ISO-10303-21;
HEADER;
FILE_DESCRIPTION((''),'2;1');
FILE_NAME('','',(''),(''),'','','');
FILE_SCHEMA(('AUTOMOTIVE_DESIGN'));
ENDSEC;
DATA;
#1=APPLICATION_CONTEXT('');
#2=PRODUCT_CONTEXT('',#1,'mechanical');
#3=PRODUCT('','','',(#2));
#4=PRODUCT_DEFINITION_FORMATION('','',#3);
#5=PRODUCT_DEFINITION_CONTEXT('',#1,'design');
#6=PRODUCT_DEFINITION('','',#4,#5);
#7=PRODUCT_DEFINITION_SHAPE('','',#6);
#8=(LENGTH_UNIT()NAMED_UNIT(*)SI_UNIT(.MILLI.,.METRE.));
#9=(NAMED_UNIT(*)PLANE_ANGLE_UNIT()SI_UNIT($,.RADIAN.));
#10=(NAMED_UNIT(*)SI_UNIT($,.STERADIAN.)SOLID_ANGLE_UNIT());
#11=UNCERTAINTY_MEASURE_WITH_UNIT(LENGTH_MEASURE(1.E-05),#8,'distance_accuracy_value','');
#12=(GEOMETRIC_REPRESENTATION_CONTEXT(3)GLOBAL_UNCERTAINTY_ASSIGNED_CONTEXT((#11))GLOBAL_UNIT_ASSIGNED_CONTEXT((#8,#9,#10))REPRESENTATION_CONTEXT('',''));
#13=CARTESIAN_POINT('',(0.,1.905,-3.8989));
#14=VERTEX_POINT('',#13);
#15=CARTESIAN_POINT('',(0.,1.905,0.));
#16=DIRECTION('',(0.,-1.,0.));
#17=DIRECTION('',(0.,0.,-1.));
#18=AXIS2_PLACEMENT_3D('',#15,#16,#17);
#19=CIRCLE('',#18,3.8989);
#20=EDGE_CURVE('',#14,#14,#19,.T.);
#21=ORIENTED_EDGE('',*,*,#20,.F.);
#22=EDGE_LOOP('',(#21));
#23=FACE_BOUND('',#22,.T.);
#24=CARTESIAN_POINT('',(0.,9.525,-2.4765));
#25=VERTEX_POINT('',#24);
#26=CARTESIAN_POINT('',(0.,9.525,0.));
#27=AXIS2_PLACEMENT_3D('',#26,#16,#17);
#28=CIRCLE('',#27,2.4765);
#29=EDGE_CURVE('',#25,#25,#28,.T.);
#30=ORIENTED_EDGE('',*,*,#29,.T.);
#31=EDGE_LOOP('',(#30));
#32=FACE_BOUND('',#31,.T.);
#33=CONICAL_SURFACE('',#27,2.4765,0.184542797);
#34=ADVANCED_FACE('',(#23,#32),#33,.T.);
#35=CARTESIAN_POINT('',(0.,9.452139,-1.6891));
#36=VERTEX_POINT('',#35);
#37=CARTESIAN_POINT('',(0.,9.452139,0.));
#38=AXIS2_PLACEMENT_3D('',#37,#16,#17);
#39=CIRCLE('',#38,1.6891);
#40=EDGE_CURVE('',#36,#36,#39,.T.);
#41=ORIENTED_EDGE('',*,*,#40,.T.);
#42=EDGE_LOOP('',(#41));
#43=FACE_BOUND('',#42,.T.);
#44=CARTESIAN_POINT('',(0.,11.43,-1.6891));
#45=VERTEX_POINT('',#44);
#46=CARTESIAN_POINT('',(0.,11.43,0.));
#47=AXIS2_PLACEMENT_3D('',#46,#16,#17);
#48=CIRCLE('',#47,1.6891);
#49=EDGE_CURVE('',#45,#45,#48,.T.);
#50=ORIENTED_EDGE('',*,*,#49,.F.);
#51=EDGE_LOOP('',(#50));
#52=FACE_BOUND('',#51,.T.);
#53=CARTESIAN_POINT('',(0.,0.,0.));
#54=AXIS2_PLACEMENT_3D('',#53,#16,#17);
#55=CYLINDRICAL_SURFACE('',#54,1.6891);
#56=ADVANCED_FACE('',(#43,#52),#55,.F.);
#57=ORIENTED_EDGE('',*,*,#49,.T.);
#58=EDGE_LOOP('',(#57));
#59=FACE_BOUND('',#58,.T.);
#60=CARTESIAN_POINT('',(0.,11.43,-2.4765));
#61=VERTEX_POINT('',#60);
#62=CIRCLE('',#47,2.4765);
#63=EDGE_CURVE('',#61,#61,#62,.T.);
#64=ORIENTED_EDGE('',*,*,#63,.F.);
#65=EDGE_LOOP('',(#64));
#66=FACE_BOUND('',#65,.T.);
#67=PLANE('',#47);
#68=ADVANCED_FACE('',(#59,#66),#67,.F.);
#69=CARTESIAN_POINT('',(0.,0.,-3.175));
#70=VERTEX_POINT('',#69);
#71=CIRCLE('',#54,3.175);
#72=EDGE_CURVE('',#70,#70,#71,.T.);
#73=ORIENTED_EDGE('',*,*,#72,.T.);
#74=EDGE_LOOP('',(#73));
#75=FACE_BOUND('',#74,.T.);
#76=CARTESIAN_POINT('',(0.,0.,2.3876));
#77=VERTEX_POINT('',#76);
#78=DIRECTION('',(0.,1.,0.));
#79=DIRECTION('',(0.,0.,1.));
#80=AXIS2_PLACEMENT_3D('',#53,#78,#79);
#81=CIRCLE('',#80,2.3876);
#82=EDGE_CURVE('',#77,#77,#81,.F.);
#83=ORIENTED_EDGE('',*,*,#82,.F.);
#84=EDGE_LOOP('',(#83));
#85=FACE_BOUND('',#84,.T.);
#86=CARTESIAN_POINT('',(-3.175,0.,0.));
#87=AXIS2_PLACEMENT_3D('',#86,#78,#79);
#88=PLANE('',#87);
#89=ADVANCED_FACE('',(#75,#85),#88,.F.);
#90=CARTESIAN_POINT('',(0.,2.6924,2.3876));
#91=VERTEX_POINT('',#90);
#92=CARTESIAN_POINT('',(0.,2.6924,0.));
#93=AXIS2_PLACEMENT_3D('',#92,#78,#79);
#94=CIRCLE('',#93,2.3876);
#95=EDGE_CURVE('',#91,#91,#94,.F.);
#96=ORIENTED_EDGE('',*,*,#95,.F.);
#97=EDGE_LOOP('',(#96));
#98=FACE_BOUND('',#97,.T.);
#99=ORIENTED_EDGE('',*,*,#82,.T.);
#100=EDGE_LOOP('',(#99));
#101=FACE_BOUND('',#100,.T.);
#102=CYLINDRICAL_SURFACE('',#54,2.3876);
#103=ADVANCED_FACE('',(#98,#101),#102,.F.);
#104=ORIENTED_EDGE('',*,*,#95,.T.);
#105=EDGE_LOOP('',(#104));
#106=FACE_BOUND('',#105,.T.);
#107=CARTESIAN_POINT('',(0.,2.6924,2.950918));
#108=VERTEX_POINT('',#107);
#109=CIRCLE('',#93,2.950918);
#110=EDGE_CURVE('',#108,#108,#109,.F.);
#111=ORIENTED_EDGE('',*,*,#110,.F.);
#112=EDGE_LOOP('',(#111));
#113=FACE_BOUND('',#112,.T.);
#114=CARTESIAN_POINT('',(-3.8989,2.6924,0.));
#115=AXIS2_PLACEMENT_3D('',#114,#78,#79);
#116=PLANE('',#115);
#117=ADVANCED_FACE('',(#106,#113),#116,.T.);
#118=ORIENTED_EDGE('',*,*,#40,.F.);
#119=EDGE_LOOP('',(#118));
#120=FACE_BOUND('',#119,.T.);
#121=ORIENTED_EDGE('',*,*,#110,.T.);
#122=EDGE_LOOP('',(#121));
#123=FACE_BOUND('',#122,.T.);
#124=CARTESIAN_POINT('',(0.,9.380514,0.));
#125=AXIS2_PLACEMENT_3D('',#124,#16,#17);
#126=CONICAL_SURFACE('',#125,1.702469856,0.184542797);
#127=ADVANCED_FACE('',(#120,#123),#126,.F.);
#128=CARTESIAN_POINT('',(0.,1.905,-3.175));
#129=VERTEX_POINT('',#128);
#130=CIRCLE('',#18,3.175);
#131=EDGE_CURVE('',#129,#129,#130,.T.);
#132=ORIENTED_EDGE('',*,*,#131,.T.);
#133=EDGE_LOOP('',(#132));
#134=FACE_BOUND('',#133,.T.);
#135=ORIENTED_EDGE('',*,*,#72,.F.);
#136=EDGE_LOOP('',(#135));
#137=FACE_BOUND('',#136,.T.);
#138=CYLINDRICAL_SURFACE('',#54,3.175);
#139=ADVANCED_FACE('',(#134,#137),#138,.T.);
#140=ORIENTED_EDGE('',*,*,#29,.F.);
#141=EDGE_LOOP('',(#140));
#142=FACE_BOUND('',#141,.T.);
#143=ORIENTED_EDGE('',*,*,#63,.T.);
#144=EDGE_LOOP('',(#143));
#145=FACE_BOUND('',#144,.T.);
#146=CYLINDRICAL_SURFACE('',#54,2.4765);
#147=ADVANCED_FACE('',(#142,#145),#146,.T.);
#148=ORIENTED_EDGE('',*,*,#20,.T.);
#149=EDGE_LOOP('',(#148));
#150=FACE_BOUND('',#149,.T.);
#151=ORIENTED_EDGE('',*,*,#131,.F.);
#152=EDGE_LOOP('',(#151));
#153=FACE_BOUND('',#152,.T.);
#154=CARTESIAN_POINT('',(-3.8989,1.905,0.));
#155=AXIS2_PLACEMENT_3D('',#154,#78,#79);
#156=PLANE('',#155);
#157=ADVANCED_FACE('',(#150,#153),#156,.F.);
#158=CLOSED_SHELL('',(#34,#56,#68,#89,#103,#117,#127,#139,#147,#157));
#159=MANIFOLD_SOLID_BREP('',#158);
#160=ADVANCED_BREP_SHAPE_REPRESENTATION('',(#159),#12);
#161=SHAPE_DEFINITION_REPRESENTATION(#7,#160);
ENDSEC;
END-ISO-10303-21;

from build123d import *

# Parameters (mm, degrees)
SHELL1_T = -0.7874


with BuildPart() as part:
    # Sketch1 → Revolve1 (revolve)
    with BuildSketch(Plane.XY, mode=Mode.PRIVATE) as revolve1_sk:
        Polygon((0, 11.43), (-2.4765, 11.43), (-2.4765, 9.525), (-3.8989, 1.905), (-3.175, 1.905), (-3.175, 0), (0, 0), align=None)
    revolve(revolve1_sk.sketch.rotate(Axis((0, 0, 0), (0, 1, 0)), 270), axis=Axis((0, 0, 0), (0, 1, 0)))

    # Shell1
    shell1_openings = [part.faces().sort_by_distance(p)[0] for p in [
        (0, 0, 0),
        (0, 11.43, 0),
    ]]
    offset(amount=SHELL1_T, openings=shell1_openings, kind=Kind.INTERSECTION)


solid = part.part
